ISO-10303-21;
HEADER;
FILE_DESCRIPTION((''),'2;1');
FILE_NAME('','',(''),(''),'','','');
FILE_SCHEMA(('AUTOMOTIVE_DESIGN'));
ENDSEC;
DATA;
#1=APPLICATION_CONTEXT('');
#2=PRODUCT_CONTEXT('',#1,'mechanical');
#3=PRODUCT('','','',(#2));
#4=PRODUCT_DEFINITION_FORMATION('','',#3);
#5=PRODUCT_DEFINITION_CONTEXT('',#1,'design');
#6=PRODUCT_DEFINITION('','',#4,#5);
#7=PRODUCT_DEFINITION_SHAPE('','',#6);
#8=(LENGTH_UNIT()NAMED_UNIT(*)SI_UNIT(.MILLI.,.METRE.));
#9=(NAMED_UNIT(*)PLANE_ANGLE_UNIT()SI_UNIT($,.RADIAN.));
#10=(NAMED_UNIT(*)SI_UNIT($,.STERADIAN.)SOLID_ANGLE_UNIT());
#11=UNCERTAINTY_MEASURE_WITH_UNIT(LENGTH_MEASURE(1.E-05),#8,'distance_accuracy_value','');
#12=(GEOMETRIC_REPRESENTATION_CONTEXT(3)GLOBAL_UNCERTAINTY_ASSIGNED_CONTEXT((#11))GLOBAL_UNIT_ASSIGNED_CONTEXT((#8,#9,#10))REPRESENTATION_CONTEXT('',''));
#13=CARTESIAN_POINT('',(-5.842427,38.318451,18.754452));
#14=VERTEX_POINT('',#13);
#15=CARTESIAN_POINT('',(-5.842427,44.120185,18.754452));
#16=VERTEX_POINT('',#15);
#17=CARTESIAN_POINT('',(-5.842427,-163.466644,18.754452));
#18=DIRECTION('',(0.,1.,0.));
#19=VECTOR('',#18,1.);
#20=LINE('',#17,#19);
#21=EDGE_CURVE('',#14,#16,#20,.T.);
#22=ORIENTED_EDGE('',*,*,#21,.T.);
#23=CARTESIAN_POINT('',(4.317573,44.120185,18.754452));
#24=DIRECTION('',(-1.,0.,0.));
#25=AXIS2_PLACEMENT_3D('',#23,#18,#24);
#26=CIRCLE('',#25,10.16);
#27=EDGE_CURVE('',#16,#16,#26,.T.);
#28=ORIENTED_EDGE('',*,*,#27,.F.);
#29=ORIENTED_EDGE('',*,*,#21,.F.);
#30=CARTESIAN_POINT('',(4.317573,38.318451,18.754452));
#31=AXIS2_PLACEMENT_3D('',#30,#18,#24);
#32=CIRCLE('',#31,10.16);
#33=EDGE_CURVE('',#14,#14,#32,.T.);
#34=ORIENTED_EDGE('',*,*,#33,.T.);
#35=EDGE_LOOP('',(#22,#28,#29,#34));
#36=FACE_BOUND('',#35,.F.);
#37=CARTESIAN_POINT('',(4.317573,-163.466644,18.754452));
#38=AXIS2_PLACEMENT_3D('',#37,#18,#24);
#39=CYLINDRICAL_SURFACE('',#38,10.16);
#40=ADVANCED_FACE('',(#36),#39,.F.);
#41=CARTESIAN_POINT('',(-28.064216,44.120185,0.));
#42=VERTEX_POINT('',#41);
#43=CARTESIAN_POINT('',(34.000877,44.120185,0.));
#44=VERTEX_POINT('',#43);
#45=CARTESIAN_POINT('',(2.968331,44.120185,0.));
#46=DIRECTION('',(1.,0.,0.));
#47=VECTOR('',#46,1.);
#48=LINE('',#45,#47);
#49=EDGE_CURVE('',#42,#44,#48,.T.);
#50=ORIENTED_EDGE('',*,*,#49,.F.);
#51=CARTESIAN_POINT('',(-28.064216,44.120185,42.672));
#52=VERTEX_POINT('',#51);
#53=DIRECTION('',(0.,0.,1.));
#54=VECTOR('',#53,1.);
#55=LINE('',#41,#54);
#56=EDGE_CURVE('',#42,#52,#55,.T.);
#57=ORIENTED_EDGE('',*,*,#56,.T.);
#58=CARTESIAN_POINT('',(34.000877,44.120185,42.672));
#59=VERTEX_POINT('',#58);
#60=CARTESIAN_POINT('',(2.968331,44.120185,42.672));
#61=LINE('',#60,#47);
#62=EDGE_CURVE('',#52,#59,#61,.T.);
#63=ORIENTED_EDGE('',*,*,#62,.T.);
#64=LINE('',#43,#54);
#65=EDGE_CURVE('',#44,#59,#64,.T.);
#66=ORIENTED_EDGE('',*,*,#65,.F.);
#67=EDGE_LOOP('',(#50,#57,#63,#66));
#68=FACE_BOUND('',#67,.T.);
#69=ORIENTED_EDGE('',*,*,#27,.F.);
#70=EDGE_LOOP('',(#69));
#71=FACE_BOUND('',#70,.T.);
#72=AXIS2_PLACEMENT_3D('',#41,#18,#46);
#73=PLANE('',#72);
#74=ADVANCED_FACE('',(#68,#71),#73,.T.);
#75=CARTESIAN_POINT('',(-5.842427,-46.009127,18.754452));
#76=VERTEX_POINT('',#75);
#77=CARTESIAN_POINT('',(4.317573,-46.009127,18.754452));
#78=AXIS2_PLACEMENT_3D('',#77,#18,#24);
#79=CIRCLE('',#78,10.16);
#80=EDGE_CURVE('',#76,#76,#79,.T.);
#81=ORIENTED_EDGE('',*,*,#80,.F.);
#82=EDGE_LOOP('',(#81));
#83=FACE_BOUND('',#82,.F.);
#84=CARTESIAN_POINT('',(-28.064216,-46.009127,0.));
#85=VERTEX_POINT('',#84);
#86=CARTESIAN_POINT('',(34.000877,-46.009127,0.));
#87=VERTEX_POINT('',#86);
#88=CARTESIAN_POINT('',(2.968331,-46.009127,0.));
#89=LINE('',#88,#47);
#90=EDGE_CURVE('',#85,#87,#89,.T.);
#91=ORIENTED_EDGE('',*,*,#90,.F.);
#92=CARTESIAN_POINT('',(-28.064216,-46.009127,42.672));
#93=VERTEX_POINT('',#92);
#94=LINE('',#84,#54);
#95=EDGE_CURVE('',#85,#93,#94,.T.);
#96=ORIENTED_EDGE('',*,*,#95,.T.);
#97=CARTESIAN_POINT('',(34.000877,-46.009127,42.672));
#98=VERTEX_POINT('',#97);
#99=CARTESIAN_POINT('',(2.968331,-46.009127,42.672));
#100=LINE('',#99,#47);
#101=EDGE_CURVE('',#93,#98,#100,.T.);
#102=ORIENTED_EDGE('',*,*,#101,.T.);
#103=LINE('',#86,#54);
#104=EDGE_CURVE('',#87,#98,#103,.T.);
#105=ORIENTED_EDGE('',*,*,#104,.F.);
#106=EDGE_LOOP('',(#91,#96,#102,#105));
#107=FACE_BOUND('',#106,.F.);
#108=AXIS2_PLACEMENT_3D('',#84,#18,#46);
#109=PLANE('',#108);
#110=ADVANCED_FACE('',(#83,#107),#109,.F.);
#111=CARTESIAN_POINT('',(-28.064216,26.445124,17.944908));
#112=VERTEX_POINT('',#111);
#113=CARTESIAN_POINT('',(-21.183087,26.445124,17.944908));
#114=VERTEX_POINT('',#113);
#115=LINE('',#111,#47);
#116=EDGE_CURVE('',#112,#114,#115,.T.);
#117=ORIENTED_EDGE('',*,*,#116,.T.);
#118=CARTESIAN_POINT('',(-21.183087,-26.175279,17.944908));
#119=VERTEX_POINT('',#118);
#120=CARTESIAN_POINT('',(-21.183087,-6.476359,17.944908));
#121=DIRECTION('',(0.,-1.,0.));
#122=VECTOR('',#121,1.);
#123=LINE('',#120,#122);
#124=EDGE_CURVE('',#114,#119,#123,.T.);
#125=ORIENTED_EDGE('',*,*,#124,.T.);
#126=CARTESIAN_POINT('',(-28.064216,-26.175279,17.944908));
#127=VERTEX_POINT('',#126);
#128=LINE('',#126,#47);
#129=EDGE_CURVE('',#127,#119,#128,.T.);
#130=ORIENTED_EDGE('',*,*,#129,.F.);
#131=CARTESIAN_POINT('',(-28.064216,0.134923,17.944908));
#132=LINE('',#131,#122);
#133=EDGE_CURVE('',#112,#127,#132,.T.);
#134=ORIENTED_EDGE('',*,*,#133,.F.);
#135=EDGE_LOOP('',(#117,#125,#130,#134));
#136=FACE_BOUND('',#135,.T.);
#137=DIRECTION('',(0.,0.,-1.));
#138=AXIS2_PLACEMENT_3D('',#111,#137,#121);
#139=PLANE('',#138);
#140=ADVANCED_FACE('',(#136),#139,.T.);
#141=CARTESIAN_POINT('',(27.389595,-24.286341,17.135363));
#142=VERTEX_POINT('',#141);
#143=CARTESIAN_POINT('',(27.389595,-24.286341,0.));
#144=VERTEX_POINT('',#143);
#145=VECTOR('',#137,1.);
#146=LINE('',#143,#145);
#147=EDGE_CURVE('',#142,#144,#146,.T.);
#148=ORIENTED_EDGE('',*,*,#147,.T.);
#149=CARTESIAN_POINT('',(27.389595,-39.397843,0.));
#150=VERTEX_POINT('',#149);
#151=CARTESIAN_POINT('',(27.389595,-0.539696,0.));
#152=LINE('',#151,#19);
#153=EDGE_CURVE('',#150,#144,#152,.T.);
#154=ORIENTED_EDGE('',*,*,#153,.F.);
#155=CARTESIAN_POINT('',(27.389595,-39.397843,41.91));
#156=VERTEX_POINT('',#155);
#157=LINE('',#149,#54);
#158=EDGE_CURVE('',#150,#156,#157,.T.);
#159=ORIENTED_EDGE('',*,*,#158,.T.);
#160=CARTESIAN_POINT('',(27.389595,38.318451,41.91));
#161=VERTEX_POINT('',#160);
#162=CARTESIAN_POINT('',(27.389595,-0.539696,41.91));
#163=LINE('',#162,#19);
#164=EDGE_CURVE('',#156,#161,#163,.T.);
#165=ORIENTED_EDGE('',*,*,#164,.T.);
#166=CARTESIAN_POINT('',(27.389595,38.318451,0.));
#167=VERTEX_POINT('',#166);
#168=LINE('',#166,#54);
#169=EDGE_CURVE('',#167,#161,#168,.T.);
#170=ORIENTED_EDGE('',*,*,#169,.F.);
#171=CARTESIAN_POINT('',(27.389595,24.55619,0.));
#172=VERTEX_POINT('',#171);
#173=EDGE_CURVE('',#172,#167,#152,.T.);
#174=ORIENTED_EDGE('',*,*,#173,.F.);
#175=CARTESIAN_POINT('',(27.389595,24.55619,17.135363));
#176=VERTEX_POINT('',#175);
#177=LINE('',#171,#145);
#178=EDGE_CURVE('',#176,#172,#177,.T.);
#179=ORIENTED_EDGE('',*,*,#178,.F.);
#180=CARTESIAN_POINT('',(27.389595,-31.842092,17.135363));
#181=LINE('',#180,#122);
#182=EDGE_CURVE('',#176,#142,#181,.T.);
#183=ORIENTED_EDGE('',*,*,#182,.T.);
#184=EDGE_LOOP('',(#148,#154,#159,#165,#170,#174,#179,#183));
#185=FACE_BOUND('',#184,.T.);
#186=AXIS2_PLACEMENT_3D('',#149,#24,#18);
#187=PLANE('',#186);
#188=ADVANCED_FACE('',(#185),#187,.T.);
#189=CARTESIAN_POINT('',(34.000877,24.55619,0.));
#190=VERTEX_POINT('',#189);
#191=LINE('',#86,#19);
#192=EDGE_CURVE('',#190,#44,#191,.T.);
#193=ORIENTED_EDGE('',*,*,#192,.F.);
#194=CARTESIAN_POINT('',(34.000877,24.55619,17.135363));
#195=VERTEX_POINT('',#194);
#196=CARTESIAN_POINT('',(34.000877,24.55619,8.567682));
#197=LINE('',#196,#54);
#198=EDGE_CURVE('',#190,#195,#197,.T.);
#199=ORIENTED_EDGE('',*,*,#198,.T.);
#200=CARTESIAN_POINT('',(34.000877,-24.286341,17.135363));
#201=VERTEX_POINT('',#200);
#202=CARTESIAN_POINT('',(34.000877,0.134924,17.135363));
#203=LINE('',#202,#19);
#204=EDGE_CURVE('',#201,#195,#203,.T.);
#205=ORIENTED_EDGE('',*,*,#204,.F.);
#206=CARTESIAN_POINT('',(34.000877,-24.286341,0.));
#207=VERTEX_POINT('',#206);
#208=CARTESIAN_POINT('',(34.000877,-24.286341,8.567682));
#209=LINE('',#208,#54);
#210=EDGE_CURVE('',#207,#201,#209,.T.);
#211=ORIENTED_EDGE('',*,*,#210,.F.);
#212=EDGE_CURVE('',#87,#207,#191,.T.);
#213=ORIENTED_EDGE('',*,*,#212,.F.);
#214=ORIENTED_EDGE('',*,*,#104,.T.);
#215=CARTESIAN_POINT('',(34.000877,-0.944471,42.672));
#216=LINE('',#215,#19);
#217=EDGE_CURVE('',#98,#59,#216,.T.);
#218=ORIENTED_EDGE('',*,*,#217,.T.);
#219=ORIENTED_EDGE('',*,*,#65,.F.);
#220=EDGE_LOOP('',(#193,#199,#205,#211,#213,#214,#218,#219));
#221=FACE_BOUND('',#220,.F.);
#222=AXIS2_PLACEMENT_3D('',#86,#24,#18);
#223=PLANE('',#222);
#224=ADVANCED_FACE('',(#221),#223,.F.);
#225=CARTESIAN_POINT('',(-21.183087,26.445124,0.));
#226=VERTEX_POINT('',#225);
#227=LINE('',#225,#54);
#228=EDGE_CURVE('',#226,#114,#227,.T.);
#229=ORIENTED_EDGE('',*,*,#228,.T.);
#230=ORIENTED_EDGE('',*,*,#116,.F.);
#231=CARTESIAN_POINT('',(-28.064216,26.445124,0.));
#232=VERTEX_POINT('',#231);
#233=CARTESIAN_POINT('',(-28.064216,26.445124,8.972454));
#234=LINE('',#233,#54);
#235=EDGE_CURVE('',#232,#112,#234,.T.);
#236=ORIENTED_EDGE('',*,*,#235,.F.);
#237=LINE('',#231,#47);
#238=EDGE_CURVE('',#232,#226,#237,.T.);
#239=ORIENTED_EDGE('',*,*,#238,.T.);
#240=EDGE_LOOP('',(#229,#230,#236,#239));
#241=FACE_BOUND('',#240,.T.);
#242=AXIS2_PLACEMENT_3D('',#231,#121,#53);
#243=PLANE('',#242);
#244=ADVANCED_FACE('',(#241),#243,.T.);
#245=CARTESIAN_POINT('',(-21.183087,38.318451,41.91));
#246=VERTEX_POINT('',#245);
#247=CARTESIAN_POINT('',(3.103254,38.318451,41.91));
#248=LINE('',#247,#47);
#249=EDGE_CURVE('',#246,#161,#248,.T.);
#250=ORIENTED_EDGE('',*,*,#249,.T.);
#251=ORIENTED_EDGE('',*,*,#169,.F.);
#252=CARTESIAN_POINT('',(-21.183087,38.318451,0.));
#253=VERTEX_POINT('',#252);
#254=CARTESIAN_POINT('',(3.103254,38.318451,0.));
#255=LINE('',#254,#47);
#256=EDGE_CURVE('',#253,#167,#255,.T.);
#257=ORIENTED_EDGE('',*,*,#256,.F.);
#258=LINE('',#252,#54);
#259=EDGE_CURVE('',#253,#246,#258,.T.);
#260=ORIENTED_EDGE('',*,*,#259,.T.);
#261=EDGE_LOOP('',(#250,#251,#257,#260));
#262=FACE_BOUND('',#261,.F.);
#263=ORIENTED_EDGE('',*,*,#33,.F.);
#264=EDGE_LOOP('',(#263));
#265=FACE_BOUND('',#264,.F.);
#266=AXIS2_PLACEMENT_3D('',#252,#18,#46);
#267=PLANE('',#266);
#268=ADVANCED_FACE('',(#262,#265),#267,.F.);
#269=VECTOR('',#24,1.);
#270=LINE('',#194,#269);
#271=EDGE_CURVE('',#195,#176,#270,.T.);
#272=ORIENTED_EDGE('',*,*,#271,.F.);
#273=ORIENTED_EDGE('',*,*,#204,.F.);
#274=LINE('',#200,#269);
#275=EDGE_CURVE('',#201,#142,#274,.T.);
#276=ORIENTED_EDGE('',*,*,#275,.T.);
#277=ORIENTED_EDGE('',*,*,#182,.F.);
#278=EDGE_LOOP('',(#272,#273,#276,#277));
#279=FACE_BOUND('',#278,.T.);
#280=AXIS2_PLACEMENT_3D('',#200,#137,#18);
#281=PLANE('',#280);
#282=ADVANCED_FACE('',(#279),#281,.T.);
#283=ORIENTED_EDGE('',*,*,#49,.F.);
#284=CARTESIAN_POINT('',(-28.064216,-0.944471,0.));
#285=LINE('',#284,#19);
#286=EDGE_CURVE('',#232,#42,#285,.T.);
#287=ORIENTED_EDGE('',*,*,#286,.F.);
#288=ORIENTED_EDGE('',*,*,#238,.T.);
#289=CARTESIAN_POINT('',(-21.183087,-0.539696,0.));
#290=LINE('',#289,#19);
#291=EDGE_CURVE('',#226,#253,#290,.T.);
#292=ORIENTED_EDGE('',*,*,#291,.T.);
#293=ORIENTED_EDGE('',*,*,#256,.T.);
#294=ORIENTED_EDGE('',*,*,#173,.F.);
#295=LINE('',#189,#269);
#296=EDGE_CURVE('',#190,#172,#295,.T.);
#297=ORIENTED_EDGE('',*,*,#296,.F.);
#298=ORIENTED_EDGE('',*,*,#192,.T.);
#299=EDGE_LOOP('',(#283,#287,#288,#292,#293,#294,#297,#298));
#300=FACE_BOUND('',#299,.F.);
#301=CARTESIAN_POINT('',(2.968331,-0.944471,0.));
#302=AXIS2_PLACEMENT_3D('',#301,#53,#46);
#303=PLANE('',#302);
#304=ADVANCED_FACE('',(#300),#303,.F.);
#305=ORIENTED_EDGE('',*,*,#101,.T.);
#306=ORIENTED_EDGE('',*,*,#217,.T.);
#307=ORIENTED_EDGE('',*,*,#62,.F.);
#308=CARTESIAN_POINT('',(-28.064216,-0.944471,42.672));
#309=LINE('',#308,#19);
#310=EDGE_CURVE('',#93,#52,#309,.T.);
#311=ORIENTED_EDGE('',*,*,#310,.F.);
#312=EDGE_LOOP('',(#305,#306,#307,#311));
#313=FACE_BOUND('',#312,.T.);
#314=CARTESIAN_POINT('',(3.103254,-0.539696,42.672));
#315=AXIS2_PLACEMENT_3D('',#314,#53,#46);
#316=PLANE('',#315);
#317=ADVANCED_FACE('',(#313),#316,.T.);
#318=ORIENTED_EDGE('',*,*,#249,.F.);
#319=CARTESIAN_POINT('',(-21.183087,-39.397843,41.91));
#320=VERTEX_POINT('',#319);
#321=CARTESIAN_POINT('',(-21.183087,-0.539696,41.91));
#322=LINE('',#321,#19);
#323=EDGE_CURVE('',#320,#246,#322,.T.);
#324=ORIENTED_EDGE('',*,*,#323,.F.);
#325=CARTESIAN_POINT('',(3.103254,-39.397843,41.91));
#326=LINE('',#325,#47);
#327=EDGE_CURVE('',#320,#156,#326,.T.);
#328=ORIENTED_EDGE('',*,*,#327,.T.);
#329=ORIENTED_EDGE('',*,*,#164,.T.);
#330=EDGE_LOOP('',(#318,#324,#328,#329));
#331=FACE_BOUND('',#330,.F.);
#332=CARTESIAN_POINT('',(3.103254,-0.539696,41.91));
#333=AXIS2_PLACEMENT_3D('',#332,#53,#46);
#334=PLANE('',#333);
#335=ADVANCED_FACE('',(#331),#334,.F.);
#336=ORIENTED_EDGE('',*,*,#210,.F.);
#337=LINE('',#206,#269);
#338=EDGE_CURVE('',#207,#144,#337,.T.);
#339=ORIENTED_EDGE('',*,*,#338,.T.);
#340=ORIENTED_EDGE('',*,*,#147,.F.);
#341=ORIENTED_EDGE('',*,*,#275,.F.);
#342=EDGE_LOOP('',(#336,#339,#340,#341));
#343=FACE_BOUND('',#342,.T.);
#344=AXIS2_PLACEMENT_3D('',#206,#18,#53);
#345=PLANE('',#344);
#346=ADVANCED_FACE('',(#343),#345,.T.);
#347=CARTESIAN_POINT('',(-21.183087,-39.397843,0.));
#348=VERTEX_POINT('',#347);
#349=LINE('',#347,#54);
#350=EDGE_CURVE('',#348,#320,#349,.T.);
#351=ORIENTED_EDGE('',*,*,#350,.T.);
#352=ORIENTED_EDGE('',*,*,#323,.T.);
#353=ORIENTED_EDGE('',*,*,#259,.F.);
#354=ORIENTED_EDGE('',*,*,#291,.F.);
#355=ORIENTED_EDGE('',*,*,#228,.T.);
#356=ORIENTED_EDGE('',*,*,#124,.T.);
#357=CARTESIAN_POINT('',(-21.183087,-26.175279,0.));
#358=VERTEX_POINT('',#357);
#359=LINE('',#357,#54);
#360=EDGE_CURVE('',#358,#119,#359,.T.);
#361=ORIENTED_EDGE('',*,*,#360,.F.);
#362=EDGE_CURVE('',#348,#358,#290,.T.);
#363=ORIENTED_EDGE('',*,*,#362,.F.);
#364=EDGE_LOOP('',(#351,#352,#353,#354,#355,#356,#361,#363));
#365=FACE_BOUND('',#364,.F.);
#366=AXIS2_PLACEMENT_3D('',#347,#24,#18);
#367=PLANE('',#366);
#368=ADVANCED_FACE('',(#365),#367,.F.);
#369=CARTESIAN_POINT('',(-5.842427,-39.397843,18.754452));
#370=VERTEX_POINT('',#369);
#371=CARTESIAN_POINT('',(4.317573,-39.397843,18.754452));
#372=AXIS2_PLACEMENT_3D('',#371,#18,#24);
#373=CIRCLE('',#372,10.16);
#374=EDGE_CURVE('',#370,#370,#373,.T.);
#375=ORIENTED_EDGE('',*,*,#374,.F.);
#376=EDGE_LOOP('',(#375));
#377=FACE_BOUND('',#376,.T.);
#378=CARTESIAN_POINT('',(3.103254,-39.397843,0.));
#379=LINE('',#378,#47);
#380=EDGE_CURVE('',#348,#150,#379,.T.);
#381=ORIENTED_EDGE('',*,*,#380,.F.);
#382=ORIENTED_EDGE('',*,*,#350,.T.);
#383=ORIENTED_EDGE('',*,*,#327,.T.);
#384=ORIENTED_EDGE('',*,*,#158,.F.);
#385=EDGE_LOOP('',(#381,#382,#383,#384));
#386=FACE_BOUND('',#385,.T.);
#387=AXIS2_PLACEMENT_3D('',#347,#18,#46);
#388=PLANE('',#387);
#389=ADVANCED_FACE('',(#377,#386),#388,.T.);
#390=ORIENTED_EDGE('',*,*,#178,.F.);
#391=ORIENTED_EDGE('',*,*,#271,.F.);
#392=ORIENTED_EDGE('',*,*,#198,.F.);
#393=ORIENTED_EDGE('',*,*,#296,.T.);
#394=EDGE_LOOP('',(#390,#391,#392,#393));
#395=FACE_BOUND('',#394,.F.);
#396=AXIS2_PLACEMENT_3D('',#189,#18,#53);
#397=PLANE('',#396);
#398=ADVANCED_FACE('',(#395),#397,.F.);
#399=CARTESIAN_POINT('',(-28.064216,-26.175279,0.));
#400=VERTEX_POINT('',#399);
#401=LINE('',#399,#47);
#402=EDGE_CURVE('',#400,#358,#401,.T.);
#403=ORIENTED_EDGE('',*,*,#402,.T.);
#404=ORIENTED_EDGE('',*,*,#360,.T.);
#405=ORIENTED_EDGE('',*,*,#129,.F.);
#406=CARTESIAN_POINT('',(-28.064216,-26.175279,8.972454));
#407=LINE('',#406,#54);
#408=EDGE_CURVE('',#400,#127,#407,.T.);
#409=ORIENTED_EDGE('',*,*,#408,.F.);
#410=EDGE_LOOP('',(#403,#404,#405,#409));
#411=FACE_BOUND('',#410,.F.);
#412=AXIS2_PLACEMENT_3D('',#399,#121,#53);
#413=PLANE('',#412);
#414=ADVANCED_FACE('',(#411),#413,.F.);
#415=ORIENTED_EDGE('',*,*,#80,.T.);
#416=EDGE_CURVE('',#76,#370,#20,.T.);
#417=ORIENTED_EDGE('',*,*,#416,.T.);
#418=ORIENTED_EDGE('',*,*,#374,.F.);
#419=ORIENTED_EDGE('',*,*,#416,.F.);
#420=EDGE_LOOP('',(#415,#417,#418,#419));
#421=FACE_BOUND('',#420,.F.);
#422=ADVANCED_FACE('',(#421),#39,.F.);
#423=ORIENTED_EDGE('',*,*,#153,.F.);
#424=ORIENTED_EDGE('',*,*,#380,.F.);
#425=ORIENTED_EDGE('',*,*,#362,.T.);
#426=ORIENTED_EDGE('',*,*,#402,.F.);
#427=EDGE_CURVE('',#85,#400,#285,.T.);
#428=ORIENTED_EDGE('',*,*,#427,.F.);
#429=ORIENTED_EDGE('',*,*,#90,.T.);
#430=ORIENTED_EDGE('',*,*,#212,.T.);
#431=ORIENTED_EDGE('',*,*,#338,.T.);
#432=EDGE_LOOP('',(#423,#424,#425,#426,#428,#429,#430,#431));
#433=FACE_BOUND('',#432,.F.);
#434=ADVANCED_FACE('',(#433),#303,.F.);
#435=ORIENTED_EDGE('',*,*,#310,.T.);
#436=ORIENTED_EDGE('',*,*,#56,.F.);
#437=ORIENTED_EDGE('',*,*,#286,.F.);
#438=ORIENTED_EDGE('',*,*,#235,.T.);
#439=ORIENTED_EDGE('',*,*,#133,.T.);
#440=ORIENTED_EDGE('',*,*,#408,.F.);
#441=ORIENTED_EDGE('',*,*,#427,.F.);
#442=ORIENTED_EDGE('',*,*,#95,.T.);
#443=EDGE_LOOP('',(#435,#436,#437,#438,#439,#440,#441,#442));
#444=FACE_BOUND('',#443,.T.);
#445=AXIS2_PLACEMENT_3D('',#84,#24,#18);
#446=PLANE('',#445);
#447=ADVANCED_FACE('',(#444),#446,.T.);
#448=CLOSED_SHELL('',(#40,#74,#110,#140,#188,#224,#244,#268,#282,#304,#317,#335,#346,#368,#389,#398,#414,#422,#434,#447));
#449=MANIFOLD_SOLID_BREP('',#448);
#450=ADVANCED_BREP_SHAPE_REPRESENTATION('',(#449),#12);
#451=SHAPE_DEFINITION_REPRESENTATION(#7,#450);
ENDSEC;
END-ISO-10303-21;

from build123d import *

# Parameters (mm, degrees)
F0_W      = 62.0650928468
F0_H      = 90.1293121278
F1_DEPTH  = 42.672
F2_W      = 48.5726818442
F2_H      = 77.7162946761
F3_DEPTH  = 76.454
F4_W      = 48.5726818442
F4_H      = 77.7162946761
F5_DEPTH  = 0.762
F7_D      = 20.32
F8_W      = 52.8902541846
F8_H      = 23.0720248073
F9_DEPTH  = 43.688
F10_W     = 52.6204034686
F10_H     = 17.9449077696
F12_DEPTH = 25.4
F13_W     = 48.8425306976
F13_H     = 17.1353630722
F14_DEPTH = 25.4


with BuildPart() as f1:
    # F0 (on Top) → F1 (new body)
    with BuildSketch(Plane.XY):
        with Locations((2.9683308676, -0.9444709867)):
            Rectangle(F0_W, F0_H)
    extrude(amount=F1_DEPTH)

    # F2 (on Top) → F3 (cut)
    with BuildSketch(Plane.XY):
        with Locations((3.1032543629, -0.5396958441)):
            Rectangle(F2_W, F2_H)
    extrude(amount=F3_DEPTH, mode=Mode.SUBTRACT)

    # F4 (on face) → F5 (join)
    with BuildSketch(Plane.XY.offset(42.672)):
        with Locations((3.1032543629, -0.5396958441)):
            Rectangle(F4_W, F4_H)
    extrude(amount=-F5_DEPTH)

    # F7 (through all)
    with Locations(Plane.XZ.offset(46.0091270506)):
        with Locations((4.317572806, 18.754452467)):
            Hole(F7_D / 2)

    # F8 (on face) → F9 (cut)
    with BuildSketch(Plane.YZ.offset(34.000877291)):
        with Locations((-2.4286350235, 11.5360124037)):
            Rectangle(F8_W, F8_H)
    extrude(amount=F9_DEPTH, mode=Mode.SUBTRACT)

    # F10 (on face) → F12 (cut)
    with BuildSketch(Plane(origin=(-28.0642155558, 0, 0), x_dir=(0, -1, 0), z_dir=(-1, 0, 0))):
        with Locations((-0.134922564, 8.9724538848)):
            Rectangle(F10_W, F10_H)
    extrude(amount=-F12_DEPTH, mode=Mode.SUBTRACT)

    # F13 (on face) → F14 (cut)
    with BuildSketch(Plane.YZ.offset(34.000877291)):
        with Locations((0.1349244267, 8.5676815361)):
            Rectangle(F13_W, F13_H)
    extrude(amount=-F14_DEPTH, mode=Mode.SUBTRACT)


solid = f1.part
